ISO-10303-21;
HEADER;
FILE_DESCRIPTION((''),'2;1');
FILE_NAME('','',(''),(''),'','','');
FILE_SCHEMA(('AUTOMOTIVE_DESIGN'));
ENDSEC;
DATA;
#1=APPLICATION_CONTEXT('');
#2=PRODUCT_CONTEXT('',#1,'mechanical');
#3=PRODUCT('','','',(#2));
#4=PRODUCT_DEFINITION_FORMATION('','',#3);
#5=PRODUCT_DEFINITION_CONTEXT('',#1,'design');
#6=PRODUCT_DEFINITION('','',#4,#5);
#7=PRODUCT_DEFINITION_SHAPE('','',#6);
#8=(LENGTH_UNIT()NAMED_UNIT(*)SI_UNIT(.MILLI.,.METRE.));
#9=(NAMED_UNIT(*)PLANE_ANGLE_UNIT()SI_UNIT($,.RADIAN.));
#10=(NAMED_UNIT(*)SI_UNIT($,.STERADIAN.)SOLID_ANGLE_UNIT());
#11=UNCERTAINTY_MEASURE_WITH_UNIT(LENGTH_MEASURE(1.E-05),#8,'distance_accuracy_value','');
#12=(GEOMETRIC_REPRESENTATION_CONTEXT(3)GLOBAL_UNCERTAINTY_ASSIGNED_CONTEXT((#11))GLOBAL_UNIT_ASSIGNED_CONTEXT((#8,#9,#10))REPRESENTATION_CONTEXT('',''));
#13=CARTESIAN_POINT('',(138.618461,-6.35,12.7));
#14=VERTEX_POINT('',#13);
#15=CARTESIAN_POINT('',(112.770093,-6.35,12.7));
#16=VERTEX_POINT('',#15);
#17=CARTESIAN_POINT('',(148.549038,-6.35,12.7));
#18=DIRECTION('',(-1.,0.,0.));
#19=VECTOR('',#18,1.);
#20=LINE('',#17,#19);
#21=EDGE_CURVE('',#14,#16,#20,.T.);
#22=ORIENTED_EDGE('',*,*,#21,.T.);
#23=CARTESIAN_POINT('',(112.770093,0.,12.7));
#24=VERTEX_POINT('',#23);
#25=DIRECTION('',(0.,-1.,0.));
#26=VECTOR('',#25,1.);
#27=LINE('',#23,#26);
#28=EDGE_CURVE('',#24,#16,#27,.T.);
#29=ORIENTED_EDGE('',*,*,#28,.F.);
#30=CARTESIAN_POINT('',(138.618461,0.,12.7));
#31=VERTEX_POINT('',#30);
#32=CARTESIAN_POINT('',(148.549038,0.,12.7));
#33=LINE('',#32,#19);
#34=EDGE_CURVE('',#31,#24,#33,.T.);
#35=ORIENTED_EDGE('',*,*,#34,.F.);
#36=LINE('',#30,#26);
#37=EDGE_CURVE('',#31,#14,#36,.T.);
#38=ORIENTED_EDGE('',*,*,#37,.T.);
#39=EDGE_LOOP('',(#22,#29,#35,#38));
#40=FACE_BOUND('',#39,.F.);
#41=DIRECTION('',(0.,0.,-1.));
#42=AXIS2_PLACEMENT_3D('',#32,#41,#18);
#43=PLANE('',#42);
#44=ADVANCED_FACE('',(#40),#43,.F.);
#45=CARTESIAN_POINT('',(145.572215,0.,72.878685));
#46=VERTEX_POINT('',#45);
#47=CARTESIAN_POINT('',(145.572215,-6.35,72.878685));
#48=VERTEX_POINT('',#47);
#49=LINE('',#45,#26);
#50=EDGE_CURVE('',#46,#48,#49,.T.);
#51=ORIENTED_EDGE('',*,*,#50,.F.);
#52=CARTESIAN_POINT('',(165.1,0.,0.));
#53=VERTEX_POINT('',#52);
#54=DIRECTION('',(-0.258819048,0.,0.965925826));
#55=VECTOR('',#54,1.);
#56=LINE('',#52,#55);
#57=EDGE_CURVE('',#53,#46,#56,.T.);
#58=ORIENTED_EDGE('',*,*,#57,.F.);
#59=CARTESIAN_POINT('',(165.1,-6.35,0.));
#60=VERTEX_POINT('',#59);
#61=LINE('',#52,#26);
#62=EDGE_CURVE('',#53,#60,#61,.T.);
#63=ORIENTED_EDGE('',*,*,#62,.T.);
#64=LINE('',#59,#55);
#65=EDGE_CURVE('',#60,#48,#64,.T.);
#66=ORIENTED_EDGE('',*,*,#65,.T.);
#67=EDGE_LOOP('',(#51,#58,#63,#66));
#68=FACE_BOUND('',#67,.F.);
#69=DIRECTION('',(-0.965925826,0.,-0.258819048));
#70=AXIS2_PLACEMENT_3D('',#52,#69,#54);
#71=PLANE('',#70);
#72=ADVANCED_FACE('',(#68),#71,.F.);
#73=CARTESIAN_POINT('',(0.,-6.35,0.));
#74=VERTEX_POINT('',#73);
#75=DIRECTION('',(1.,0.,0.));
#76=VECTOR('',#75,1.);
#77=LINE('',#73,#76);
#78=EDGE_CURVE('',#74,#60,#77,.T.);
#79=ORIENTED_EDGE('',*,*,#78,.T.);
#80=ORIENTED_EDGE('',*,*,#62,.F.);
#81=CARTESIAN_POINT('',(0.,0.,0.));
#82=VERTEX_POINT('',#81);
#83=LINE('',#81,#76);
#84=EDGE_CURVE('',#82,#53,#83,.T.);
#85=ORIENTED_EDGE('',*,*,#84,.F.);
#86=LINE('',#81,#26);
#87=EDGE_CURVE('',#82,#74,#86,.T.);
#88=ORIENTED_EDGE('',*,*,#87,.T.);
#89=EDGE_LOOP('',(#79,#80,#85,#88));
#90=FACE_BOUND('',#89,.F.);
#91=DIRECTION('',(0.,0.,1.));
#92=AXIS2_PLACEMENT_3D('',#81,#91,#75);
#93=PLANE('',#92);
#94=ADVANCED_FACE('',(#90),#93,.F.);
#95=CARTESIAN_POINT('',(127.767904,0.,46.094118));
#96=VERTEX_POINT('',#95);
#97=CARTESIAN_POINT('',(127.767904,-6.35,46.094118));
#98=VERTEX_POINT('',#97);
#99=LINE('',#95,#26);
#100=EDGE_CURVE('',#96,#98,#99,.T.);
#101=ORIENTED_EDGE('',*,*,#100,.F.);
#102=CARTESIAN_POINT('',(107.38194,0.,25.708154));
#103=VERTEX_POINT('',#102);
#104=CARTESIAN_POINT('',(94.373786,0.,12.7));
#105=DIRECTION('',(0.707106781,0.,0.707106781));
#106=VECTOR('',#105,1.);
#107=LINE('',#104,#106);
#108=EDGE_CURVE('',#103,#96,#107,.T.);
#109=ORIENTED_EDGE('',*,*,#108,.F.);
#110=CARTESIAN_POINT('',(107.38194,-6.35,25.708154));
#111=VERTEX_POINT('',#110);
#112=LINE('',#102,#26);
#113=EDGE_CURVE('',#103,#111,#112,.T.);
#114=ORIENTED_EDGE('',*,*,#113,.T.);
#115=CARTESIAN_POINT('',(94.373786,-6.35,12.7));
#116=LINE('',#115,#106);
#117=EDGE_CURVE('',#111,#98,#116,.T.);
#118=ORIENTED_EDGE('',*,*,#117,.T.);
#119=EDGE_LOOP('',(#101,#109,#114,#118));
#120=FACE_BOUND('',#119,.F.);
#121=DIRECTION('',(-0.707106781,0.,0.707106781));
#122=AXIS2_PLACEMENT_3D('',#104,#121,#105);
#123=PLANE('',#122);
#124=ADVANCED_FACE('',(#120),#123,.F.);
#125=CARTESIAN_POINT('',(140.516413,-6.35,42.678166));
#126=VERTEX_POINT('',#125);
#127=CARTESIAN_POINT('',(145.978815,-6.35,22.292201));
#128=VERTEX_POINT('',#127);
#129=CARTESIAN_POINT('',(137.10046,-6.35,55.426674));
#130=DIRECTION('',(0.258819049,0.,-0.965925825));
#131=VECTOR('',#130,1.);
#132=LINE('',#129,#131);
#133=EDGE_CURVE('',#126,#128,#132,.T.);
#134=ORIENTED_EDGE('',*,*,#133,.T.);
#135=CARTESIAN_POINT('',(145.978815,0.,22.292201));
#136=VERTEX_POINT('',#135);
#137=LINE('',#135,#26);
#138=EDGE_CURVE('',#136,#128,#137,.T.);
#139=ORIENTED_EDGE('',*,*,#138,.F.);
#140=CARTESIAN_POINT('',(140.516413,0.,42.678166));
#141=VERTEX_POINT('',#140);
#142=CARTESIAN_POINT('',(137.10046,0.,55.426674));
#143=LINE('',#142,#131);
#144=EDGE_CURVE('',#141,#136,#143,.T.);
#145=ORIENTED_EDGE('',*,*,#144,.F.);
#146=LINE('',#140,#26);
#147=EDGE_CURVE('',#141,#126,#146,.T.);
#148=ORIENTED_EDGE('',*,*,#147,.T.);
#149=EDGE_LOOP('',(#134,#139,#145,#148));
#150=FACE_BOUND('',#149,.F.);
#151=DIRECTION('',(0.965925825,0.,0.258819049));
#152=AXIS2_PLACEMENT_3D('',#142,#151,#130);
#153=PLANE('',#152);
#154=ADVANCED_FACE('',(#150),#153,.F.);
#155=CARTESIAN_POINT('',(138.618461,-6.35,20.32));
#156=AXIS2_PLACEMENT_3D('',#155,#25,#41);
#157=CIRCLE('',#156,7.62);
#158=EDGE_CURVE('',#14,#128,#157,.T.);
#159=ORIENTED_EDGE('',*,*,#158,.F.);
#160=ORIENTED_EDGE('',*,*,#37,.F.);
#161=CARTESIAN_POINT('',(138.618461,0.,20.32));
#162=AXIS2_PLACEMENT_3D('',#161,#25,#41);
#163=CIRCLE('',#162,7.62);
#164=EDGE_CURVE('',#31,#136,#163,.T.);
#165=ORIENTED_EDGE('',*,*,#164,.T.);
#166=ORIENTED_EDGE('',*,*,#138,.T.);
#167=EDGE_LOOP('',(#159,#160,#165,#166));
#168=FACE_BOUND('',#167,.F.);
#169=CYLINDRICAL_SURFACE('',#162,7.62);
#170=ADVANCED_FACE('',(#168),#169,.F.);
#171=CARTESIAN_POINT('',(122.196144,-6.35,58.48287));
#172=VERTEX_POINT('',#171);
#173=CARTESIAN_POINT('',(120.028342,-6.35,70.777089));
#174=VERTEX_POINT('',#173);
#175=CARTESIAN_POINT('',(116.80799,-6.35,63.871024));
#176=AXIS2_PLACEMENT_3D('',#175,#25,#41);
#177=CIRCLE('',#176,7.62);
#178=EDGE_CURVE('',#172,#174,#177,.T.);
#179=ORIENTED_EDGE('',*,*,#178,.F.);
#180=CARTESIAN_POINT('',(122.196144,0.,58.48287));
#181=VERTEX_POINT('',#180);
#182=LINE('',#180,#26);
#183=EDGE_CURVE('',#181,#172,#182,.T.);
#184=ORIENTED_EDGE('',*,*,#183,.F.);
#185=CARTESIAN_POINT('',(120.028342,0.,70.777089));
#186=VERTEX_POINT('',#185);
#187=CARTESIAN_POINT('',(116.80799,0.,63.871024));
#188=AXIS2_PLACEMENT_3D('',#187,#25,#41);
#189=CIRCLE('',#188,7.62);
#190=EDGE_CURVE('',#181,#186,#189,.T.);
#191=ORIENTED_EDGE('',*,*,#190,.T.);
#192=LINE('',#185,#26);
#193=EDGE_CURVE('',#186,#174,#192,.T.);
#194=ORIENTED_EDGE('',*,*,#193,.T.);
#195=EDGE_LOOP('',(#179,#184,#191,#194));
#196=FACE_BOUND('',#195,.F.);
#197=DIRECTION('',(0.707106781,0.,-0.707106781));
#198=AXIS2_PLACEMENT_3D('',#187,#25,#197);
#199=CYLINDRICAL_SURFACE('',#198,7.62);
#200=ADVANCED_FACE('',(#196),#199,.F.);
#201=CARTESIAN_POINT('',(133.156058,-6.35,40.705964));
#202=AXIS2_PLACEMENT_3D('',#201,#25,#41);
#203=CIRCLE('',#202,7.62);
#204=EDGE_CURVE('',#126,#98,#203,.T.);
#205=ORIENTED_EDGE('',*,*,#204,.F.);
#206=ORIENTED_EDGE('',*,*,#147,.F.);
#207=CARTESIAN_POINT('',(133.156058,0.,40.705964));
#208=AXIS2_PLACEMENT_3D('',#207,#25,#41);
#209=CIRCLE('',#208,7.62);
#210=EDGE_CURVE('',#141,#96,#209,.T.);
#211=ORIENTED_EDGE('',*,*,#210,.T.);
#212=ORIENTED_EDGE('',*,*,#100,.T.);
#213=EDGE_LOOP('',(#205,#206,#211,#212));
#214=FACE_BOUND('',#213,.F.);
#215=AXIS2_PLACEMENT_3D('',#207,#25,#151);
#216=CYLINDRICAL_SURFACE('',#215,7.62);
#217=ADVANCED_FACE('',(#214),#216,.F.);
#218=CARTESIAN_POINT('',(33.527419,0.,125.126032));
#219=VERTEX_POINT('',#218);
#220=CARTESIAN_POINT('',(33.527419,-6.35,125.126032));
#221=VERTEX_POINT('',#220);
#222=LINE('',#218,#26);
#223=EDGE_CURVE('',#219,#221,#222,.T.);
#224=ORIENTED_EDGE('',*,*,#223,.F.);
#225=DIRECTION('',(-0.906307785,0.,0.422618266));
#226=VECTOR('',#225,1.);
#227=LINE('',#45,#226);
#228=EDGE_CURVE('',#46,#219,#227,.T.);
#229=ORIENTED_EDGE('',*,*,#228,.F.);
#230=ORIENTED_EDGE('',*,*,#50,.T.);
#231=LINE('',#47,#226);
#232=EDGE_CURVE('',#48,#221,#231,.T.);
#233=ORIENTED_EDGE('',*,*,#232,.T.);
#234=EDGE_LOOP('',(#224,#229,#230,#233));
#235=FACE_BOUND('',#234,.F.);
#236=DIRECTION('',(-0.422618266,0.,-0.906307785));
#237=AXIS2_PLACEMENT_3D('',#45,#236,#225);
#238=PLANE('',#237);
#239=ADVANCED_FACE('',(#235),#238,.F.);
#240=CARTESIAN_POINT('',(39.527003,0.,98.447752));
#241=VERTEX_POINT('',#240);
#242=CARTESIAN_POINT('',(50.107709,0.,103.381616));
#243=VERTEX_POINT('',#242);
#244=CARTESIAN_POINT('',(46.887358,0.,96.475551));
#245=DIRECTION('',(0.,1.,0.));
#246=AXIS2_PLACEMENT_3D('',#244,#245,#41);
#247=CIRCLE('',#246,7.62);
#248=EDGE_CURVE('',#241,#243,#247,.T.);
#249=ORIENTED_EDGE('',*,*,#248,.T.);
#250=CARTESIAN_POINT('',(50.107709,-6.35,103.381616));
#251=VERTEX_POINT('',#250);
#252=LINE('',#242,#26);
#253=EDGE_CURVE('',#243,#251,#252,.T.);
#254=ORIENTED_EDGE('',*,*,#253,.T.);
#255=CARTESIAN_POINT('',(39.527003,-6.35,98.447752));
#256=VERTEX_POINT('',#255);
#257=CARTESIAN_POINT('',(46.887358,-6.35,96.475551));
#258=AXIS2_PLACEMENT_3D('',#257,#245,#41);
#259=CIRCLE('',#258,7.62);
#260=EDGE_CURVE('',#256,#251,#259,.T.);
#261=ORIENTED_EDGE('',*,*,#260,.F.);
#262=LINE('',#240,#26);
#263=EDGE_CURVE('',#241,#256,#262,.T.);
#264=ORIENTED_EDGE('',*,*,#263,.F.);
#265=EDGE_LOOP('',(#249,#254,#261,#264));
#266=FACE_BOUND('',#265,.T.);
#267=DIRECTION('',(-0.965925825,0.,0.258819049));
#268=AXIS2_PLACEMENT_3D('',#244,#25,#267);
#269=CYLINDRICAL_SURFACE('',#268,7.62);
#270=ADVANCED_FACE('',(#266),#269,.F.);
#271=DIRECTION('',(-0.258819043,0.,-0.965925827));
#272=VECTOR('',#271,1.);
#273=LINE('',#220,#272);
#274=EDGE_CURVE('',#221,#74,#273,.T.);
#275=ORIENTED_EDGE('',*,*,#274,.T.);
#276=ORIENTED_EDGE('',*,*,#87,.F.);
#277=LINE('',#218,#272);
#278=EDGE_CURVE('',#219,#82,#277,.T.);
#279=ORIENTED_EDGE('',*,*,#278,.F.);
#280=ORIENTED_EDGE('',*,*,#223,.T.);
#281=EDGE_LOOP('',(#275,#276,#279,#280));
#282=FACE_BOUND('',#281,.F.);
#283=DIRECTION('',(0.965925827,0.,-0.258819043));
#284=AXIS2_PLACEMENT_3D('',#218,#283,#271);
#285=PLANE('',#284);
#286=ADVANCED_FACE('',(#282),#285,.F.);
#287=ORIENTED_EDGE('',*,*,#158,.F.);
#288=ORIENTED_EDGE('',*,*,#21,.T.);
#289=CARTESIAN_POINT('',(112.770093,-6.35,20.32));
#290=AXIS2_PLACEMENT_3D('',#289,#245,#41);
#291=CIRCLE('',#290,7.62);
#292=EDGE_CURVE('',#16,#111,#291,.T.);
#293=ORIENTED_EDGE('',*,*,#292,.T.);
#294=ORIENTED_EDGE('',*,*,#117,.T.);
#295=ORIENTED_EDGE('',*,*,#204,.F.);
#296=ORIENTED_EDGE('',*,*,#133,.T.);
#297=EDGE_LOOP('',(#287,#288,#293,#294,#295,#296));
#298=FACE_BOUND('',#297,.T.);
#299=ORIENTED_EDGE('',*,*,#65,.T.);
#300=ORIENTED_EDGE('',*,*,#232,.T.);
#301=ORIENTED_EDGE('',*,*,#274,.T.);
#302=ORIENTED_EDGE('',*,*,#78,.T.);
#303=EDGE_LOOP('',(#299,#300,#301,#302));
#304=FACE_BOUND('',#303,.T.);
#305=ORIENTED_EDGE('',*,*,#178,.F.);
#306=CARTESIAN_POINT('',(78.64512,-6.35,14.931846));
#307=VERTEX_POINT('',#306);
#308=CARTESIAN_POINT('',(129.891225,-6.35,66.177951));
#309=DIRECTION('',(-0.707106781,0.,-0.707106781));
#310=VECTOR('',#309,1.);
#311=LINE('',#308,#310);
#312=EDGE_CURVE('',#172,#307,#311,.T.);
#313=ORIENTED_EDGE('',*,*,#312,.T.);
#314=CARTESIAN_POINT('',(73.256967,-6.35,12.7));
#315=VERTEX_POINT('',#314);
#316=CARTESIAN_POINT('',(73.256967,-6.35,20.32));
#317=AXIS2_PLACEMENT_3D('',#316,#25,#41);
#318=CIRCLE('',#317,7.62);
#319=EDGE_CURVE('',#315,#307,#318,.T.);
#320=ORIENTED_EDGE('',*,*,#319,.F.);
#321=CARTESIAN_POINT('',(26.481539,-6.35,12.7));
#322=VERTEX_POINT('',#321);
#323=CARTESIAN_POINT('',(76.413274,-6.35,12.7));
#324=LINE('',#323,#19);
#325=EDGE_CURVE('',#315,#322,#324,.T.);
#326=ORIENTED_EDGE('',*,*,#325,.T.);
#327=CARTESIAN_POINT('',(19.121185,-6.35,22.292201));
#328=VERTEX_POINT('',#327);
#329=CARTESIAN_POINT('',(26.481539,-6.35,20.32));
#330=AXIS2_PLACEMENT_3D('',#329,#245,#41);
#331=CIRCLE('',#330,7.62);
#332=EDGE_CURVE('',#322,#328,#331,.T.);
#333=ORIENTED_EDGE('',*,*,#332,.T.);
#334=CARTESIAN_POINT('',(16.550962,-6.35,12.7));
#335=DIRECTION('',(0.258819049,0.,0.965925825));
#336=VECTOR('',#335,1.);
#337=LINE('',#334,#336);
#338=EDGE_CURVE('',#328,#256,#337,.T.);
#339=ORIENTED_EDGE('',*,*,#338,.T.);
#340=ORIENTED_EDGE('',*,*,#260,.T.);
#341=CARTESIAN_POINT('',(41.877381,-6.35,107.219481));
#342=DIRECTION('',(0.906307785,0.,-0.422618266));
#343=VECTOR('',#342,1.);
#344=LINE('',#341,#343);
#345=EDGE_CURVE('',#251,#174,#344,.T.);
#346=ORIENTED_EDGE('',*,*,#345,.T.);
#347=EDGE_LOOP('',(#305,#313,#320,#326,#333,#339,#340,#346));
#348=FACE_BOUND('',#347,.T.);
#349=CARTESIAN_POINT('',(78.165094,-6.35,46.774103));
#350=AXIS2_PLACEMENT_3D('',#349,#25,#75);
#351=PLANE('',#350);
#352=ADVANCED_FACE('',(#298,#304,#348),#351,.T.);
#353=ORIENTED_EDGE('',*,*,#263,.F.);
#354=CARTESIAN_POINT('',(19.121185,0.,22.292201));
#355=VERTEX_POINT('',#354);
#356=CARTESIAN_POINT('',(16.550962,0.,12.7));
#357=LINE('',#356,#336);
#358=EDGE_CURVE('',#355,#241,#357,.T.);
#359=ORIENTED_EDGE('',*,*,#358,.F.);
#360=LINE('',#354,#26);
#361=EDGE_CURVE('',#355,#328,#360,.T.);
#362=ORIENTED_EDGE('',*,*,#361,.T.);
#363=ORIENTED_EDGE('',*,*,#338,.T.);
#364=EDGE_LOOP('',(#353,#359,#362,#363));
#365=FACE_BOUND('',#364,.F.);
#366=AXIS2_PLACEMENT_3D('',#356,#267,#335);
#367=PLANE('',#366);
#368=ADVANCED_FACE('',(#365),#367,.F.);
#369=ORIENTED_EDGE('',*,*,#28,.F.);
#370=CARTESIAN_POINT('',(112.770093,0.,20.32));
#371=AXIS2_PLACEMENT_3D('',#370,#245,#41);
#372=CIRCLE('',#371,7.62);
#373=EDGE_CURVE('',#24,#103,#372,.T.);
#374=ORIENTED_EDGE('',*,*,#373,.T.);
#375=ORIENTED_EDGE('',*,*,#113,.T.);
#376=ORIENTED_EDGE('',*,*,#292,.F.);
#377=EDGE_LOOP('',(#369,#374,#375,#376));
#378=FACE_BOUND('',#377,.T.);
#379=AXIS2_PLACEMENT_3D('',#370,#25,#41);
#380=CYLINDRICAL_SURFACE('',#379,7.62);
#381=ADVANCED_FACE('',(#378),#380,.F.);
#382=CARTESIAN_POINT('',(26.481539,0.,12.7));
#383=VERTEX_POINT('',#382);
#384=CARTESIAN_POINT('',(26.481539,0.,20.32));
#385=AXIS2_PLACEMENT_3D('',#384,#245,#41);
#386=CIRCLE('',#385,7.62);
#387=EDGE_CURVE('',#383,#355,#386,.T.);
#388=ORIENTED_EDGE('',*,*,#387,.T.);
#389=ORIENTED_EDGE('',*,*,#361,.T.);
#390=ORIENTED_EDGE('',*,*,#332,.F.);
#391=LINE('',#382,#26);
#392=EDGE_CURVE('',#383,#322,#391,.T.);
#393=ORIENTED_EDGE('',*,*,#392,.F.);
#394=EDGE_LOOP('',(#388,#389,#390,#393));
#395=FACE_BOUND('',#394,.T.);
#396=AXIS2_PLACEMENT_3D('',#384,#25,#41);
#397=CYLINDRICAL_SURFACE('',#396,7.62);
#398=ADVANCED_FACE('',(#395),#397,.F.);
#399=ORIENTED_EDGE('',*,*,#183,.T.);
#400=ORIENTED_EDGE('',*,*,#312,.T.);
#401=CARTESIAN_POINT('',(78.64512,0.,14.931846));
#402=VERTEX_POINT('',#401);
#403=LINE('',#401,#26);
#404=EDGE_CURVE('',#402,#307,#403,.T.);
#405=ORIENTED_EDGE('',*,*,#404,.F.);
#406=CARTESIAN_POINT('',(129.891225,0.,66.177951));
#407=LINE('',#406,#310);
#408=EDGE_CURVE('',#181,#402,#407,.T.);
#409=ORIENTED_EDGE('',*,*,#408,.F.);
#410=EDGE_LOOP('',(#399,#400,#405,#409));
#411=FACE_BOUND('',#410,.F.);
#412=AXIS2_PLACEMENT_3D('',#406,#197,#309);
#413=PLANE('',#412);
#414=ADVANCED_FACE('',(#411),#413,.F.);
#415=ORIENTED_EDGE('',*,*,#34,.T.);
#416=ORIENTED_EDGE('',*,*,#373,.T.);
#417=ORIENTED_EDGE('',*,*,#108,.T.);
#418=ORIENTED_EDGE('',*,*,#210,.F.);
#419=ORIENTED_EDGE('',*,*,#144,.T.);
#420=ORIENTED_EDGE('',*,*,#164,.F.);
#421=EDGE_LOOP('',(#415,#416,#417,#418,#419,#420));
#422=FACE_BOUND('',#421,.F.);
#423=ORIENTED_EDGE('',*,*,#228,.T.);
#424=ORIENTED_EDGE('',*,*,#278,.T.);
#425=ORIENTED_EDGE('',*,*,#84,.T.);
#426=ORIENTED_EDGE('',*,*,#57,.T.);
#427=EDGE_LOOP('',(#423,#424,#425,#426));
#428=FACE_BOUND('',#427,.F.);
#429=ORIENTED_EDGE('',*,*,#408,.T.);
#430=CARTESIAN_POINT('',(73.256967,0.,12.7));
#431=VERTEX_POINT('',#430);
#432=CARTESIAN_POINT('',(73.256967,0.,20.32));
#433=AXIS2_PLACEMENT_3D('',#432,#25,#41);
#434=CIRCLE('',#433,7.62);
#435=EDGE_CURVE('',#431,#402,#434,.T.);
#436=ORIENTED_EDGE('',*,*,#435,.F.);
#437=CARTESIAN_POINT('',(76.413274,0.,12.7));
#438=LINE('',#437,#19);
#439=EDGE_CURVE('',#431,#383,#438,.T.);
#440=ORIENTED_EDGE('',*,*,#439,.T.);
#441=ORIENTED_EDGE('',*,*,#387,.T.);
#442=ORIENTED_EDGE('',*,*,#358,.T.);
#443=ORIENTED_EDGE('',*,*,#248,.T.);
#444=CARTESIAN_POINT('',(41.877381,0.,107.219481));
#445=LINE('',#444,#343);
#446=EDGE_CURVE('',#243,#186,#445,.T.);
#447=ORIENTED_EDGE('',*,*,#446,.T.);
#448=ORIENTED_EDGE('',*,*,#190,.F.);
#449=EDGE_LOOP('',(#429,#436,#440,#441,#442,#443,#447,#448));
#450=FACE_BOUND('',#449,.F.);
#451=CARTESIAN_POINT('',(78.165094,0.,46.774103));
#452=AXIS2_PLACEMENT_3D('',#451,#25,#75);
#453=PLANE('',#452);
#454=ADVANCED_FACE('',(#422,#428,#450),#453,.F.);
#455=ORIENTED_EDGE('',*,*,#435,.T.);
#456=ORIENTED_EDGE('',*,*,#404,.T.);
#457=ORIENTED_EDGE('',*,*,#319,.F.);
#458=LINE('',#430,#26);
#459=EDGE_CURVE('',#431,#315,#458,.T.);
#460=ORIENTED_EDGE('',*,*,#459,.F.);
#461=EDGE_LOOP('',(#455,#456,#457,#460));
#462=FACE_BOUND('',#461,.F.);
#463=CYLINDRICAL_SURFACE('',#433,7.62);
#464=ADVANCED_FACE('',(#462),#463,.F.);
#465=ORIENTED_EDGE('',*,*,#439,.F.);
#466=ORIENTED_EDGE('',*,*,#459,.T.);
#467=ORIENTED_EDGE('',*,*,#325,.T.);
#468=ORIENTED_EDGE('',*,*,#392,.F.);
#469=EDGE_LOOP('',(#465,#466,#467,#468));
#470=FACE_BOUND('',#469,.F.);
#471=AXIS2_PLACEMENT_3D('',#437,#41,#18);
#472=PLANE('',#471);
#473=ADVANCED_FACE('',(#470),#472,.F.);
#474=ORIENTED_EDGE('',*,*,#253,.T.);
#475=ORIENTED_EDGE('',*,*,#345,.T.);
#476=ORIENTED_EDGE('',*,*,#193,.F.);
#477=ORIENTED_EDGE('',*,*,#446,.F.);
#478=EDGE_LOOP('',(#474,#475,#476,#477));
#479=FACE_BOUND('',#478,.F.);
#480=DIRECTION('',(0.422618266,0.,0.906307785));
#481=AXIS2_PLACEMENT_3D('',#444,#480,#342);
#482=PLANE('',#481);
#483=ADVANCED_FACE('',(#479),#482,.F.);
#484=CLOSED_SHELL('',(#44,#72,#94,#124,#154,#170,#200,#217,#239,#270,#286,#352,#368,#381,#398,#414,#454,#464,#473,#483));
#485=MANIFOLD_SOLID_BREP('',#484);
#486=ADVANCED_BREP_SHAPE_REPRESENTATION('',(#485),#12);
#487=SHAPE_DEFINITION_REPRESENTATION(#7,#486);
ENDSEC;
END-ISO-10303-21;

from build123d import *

# Parameters (mm, degrees)
F1_DEPTH = 6.35
F2_R     = 7.62


with BuildPart() as f1:
    # F0 (on Front) → F1 (new body)
    with BuildSketch(Plane.XZ):
        Polygon((33.527419, 125.126032), (0, 0), (165.1, 0), (145.572215, 72.878685), align=None)
        Polygon((16.550962, 12.7), (41.877381, 107.219481), (129.891225, 66.177951), (76.413274, 12.7), align=None, mode=Mode.SUBTRACT)
        Polygon((94.373786, 12.7), (137.10046, 55.426674), (148.549038, 12.7), align=None, mode=Mode.SUBTRACT)
    extrude(amount=F1_DEPTH)

    # F2
    f2_edges = [f1.edges().sort_by_distance(p)[0] for p in [
        (41.877381, -3.175, 107.219481),
        (16.550962, -3.175, 12.7),
        (76.413274, -3.175, 12.7),
        (129.891225, -3.175, 66.177951),
        (137.10046, -3.175, 55.426674),
        (94.373786, -3.175, 12.7),
        (148.549038, -3.175, 12.7),
    ]]
    fillet(f2_edges, radius=F2_R)


solid = f1.part
